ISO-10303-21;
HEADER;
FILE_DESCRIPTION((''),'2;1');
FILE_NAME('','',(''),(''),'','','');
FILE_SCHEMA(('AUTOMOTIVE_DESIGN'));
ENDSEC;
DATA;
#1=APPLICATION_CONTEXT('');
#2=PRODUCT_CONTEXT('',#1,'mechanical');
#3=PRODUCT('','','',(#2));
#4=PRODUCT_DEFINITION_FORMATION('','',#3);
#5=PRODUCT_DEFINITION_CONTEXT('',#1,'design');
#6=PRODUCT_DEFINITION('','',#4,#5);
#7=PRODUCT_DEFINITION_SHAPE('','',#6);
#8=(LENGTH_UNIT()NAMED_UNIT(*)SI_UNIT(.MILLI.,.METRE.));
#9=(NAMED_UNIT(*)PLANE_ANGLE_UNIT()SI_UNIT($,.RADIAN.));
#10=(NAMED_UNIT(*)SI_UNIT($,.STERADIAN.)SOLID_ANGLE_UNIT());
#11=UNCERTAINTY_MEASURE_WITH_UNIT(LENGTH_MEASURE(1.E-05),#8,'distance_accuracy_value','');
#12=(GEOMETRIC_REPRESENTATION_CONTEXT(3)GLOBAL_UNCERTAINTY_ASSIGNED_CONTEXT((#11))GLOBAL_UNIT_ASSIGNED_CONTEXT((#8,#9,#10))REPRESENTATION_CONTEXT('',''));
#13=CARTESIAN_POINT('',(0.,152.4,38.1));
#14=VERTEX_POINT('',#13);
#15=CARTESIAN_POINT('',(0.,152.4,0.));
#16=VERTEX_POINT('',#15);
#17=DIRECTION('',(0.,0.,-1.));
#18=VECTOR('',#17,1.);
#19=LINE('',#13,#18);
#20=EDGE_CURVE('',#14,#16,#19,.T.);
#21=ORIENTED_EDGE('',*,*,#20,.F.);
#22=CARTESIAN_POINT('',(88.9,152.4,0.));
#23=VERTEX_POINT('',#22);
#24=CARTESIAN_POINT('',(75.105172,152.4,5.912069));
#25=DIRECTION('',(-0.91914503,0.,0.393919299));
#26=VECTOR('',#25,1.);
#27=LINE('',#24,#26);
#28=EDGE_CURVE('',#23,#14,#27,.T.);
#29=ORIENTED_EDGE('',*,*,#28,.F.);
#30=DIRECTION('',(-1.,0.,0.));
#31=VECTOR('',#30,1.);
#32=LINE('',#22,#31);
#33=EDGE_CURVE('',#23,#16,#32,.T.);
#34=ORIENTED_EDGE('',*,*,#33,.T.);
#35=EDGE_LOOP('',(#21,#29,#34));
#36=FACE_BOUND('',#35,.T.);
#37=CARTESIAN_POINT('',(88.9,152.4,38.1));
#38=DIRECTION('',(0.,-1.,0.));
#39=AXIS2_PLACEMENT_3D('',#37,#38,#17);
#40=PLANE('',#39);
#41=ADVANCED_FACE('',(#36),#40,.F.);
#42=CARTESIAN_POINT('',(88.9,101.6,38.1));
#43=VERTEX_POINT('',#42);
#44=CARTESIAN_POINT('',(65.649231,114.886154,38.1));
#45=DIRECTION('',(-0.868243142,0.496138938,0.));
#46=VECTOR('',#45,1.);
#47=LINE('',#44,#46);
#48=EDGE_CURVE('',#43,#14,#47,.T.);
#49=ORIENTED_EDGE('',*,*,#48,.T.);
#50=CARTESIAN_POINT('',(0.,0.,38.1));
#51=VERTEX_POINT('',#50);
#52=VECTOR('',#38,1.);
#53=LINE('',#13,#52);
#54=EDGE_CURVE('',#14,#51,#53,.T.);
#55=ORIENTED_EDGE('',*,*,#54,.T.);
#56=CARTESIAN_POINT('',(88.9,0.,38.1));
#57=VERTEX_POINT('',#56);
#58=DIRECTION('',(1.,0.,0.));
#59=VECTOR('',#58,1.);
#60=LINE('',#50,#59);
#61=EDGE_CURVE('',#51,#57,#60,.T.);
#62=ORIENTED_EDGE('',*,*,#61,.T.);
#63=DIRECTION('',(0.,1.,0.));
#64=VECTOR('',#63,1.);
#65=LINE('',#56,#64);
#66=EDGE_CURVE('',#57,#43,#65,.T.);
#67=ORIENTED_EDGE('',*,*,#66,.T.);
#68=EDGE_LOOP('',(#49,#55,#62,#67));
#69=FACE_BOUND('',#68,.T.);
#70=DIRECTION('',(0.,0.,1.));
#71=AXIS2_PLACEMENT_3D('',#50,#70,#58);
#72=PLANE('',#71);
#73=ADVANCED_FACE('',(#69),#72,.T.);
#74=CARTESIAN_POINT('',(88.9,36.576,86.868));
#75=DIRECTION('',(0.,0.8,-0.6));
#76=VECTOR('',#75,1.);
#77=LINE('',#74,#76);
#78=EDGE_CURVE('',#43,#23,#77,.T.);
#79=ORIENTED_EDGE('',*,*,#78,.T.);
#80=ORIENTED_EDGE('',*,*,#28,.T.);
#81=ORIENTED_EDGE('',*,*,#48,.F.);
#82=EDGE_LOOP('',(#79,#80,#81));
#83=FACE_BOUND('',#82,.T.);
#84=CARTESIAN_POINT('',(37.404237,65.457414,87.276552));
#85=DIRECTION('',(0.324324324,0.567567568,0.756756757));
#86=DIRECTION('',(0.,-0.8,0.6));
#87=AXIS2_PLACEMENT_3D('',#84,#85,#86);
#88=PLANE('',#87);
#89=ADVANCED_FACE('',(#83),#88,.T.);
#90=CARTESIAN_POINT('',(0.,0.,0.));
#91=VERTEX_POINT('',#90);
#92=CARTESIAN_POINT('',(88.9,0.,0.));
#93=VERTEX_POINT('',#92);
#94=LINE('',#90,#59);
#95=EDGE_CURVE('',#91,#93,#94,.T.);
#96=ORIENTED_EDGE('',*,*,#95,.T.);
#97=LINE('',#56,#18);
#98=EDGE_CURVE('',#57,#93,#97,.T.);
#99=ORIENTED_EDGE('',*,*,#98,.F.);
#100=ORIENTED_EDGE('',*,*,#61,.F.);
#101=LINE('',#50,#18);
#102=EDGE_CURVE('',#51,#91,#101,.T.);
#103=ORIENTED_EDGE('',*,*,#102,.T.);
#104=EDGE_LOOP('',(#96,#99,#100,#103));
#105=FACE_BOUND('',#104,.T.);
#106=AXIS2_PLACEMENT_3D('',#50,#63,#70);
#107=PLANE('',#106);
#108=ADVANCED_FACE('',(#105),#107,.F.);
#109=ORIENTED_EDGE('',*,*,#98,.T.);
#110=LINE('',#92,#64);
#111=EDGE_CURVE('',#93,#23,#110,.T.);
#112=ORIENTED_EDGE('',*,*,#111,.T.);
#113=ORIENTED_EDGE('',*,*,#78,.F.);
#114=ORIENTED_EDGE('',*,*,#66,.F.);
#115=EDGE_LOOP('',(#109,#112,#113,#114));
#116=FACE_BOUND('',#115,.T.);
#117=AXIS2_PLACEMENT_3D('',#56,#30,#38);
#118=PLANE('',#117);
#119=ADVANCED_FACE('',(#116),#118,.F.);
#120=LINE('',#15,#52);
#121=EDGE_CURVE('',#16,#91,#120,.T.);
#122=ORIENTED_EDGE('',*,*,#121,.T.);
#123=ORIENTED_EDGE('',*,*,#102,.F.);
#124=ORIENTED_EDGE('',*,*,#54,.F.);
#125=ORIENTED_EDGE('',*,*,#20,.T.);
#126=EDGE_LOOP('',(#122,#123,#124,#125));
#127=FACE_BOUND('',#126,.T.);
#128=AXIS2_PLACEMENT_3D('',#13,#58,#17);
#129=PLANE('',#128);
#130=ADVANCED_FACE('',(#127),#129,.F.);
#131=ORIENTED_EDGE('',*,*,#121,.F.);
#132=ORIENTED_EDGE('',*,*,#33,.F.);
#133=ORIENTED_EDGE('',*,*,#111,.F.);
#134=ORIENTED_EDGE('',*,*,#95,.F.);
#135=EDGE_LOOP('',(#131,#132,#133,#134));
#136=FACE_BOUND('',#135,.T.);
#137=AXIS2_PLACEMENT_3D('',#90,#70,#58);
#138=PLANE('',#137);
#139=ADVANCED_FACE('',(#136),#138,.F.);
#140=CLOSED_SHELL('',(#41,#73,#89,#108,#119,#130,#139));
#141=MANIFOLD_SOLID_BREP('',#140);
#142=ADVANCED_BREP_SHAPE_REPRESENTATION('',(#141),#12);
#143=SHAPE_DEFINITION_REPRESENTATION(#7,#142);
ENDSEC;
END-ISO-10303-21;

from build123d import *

# Parameters (mm, degrees)
SKETCH1_W           = 88.9
SKETCH1_H           = 152.4
BOSS_EXTRUDE1_DEPTH = 38.1


with BuildPart() as part:
    # Sketch1 → Boss-Extrude1 (new body)
    with BuildSketch(Plane.XY):
        with Locations((44.45, 76.2)):
            Rectangle(SKETCH1_W, SKETCH1_H)
    extrude(amount=BOSS_EXTRUDE1_DEPTH)

    # SurfaceCut1
    split(bisect_by=Plane(origin=(37.404236669, 65.457414171, 87.276552228), x_dir=(0.9459459459459459, -0.19459459459459455, -0.2594594594594596), z_dir=(0.3243243243243244, 0.5675675675675675, 0.7567567567567568)), keep=Keep.BOTTOM)


solid = part.part
